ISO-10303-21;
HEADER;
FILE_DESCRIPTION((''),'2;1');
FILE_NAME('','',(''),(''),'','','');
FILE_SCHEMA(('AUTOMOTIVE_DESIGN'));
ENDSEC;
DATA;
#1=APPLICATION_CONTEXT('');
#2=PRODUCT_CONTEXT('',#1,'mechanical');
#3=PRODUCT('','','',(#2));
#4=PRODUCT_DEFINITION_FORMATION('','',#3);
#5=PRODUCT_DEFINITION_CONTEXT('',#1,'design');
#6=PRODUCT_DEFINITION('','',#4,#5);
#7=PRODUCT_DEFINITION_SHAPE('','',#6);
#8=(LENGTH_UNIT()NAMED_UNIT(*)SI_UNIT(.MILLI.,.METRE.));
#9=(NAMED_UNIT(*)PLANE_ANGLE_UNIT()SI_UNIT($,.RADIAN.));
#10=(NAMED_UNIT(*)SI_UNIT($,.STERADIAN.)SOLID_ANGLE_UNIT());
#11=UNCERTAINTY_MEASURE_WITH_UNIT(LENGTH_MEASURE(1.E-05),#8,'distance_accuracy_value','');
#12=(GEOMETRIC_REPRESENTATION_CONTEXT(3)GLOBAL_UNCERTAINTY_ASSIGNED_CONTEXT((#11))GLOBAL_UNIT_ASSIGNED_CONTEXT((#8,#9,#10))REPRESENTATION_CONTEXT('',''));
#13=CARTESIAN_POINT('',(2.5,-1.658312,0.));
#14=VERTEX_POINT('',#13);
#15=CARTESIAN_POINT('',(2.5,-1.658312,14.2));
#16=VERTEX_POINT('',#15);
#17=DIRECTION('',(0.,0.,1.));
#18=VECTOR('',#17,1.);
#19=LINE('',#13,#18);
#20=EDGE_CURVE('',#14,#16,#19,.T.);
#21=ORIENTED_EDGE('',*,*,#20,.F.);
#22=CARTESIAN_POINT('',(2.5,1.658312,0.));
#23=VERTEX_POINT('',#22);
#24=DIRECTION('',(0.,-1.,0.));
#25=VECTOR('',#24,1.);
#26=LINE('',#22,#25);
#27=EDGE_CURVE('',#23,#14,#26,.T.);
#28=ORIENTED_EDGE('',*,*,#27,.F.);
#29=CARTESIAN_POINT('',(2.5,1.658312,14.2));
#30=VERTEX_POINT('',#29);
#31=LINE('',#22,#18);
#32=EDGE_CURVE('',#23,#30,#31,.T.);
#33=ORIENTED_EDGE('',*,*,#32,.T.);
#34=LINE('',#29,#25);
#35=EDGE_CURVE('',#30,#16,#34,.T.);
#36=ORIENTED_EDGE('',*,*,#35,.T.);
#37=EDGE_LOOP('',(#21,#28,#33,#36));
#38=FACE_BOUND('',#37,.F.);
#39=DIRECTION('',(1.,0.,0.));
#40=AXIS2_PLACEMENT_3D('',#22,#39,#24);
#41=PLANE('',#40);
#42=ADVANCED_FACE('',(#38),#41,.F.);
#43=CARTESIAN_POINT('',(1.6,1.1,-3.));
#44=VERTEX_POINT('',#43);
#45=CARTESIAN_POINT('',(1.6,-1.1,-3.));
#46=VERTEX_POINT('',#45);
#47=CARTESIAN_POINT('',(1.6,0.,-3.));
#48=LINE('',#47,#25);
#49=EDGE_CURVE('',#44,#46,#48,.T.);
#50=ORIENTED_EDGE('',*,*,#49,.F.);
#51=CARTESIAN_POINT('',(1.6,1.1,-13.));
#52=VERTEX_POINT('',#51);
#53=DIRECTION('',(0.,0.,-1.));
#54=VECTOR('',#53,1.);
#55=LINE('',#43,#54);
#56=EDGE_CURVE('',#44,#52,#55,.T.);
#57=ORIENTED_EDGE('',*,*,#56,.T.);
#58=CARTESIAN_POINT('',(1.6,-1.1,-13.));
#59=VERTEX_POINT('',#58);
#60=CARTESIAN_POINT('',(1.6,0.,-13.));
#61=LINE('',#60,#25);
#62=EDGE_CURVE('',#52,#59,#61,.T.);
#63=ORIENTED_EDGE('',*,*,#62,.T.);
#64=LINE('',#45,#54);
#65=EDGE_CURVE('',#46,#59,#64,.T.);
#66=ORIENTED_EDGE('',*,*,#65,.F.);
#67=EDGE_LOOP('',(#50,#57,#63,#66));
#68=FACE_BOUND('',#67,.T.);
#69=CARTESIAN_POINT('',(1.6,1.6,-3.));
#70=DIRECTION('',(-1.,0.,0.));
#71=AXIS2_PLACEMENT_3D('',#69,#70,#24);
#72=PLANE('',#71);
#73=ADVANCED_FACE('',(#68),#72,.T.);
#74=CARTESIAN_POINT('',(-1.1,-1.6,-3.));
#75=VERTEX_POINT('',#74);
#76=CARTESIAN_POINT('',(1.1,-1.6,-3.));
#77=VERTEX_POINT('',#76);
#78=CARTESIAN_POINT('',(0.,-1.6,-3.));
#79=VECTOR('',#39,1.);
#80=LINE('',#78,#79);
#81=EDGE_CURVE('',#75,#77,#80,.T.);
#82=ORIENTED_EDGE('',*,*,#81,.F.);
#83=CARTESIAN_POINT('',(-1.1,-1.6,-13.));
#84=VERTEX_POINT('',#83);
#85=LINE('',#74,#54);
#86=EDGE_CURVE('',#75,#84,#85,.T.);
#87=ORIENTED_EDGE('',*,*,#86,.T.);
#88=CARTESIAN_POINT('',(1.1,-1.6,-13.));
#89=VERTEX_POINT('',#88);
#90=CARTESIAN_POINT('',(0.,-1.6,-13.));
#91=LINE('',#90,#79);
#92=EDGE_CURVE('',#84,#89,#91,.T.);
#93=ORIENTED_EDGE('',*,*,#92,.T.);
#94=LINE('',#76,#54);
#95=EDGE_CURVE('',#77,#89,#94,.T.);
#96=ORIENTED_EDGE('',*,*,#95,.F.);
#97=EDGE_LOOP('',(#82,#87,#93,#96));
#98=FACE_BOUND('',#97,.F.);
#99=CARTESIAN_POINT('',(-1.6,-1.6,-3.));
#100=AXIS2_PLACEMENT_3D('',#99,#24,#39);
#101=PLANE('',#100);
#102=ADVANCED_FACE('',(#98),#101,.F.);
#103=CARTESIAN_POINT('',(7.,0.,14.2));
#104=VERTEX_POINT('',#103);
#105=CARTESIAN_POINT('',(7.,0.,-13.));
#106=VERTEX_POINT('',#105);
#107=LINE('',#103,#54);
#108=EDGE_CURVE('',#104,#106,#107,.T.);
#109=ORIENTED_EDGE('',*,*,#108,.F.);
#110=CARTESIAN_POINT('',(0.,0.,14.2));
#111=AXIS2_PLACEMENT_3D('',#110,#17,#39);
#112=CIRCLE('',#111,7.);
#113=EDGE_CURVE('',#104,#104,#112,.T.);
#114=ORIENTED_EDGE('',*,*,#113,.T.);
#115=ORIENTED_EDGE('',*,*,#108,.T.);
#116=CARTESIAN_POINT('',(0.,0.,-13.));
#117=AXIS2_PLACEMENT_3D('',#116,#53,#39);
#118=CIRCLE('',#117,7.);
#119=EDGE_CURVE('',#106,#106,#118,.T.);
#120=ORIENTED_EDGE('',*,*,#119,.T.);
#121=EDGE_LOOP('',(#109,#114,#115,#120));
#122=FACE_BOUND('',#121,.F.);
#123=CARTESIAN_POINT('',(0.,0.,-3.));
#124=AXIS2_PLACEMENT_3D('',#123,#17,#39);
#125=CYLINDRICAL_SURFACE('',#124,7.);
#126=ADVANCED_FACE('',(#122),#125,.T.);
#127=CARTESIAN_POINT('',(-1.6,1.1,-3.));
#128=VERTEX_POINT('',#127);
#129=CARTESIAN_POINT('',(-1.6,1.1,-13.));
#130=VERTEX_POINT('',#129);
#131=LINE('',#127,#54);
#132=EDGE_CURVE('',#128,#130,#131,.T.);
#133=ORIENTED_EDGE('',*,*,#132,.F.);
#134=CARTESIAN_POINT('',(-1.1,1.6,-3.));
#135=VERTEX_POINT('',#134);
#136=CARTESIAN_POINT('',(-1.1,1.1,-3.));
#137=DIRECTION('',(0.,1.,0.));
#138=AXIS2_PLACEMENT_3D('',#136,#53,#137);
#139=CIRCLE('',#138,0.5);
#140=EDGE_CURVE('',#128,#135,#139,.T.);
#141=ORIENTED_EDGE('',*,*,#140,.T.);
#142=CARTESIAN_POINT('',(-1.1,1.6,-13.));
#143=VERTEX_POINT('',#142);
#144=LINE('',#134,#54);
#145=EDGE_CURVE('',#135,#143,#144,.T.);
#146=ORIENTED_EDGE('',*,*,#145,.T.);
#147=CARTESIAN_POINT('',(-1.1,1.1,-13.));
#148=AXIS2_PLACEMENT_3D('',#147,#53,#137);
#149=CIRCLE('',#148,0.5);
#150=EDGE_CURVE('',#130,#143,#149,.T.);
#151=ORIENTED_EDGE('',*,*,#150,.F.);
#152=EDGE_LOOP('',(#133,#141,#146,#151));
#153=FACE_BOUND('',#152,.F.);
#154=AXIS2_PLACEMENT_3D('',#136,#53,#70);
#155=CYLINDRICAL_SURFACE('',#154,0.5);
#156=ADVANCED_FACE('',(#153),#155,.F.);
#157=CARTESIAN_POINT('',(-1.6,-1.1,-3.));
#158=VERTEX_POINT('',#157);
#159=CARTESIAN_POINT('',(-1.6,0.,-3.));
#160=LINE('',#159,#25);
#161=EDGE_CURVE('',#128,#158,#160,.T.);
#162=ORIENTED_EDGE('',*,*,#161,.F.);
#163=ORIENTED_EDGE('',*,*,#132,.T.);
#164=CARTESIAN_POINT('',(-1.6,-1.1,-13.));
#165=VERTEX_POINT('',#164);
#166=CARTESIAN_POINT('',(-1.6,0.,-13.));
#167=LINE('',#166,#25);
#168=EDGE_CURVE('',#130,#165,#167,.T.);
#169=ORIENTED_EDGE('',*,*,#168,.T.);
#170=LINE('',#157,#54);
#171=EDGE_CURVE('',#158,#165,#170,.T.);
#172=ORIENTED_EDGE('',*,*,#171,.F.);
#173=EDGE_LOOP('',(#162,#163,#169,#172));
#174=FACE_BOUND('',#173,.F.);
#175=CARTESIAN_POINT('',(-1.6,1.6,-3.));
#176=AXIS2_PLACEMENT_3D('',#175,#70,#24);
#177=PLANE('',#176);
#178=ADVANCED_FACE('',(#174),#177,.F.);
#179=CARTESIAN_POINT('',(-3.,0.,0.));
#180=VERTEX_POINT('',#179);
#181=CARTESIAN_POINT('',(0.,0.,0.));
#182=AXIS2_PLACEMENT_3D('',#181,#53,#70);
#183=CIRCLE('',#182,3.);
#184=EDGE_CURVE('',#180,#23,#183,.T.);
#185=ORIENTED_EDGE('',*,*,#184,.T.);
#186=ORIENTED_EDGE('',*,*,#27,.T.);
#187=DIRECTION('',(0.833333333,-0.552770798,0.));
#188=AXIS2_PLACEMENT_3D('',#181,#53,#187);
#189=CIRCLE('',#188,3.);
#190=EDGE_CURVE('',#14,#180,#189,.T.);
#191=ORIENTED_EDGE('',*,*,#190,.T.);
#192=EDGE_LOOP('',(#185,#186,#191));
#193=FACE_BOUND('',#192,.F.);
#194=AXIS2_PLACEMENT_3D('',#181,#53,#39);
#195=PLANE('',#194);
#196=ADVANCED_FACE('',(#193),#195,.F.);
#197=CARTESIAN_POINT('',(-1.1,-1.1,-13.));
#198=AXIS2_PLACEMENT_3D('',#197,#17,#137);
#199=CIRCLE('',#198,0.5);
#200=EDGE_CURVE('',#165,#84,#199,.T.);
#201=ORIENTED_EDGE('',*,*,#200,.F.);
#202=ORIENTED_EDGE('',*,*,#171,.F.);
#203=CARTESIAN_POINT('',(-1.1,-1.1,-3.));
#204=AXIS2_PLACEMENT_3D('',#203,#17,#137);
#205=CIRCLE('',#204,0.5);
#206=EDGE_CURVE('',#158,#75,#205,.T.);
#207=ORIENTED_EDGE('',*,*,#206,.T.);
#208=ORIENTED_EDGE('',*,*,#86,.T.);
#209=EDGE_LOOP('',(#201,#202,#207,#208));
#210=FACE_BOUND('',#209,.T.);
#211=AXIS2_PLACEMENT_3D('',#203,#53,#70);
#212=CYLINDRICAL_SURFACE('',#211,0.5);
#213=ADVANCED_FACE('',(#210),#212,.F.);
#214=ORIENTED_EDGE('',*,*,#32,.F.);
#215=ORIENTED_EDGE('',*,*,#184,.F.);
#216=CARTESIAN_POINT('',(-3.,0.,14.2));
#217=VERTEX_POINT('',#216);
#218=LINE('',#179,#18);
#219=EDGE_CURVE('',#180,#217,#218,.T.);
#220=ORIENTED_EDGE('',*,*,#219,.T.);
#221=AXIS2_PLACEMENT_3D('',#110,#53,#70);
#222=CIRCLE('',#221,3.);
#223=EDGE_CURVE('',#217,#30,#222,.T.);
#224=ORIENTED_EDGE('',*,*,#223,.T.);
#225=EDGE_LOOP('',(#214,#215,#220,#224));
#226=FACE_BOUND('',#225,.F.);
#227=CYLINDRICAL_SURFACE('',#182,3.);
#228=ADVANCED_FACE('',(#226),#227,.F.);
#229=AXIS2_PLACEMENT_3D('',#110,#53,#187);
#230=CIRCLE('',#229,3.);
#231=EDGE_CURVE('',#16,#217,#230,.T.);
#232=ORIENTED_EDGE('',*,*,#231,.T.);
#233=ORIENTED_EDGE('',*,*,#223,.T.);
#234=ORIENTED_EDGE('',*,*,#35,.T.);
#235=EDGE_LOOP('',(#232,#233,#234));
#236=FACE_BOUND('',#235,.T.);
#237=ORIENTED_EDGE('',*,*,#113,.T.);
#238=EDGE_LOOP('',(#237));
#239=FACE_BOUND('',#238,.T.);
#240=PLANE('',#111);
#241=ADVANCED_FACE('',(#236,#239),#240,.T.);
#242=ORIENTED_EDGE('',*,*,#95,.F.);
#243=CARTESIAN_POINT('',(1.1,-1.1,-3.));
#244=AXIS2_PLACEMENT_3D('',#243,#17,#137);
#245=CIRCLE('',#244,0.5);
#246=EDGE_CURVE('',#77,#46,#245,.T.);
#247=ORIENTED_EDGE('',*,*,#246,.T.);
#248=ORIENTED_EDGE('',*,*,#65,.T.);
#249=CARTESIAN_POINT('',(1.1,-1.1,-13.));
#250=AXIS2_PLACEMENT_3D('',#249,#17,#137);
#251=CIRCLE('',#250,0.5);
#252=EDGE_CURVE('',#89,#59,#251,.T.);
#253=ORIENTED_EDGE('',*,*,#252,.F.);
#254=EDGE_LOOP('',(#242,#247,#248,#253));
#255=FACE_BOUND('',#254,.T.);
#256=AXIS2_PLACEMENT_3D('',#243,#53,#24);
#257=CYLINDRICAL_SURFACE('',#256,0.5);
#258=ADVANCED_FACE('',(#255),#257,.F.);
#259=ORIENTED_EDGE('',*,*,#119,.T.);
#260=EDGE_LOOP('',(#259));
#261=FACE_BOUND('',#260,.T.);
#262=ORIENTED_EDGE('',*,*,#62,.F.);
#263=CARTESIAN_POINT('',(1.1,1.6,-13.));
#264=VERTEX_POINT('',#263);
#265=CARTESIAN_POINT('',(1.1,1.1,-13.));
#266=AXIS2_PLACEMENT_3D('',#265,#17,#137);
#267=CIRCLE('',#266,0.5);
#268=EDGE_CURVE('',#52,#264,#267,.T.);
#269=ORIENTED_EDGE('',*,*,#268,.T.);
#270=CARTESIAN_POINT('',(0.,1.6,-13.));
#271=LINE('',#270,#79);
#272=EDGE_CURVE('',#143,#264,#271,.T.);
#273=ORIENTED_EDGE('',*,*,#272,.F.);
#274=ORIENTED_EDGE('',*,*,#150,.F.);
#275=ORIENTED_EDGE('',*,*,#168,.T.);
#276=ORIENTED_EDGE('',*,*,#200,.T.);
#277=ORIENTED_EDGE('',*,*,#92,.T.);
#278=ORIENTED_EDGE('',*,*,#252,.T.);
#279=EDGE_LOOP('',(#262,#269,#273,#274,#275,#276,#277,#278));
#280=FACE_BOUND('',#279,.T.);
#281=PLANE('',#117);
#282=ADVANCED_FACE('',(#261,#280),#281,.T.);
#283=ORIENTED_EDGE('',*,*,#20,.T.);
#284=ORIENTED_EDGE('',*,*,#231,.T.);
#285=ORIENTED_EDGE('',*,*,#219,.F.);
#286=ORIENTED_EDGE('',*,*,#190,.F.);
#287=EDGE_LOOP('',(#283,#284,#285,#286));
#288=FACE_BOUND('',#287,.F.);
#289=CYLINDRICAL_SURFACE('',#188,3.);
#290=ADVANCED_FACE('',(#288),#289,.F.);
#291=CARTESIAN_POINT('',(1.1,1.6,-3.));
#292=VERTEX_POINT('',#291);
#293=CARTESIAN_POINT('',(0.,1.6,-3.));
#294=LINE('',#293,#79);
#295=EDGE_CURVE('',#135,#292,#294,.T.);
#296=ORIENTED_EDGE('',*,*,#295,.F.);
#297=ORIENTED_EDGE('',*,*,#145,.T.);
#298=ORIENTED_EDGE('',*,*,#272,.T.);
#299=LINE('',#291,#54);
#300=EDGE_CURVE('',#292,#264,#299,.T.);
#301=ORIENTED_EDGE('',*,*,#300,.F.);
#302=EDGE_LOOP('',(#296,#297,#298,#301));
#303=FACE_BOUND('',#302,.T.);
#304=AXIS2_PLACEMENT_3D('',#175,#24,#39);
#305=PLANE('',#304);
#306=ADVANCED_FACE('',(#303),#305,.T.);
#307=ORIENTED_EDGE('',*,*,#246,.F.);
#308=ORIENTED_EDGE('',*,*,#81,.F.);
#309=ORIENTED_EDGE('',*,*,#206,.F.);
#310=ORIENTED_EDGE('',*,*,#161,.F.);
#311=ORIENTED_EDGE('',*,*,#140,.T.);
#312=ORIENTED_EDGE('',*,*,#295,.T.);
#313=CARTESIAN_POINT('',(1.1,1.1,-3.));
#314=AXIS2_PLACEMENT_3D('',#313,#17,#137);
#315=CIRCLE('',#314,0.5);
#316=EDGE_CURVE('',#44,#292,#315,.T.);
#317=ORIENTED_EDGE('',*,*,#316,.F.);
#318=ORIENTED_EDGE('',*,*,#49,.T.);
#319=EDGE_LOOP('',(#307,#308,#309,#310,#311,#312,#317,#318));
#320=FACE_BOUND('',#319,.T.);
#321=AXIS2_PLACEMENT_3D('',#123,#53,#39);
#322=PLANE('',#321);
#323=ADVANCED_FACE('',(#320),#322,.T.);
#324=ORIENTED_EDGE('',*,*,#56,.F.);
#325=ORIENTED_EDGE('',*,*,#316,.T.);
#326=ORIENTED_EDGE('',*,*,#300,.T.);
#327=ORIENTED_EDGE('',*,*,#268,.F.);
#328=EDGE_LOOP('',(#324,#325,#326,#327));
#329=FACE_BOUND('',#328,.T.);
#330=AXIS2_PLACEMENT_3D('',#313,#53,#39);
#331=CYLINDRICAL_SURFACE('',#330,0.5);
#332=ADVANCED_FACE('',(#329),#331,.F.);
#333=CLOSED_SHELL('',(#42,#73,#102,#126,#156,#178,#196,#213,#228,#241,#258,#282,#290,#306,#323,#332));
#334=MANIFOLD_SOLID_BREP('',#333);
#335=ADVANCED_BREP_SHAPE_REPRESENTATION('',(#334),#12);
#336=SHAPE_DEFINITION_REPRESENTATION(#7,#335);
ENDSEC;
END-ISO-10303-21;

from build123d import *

# Parameters (mm, degrees)
F0_R     = 7
F1_DEPTH = 14.2
F2_R     = 7
F2_R_2   = 5
F3_DEPTH = 3
F4_R     = 7
F4_R_2   = 5
F4_W     = 3.2
F4_H     = 3.2
F5_DEPTH = 10
F6_R     = 0.5


with BuildPart() as f1:
    # F0 (on Top) → F1 (new body)
    with BuildSketch(Plane.XY):
        Circle(F0_R)
        with BuildLine():
            ThreePointArc((2.5, 1.6583123952), (2.8722813233, 0.8660254038), (3, 0))
            ThreePointArc((3, 0), (2.8722813233, -0.8660254038), (2.5, -1.6583123952))
            ThreePointArc((2.5, -1.6583123952), (-0.8660254038, -2.8722813233), (-3, 0))
            ThreePointArc((-3, 0), (-0.8660254038, 2.8722813233), (2.5, 1.6583123952))
        make_face(mode=Mode.SUBTRACT)
        with BuildLine():
            ThreePointArc((2.5, -1.6583123952), (2.8722813233, -0.8660254038), (3, 0))
            ThreePointArc((3, 0), (2.8722813233, 0.8660254038), (2.5, 1.6583123952))
            Line((2.5, 1.6583123952), (2.5, 0))
            Line((2.5, 0), (2.5, -1.6583123952))
        make_face()
    extrude(amount=F1_DEPTH)

    # F2 (on face) → F3 (join)
    with BuildSketch(Plane(origin=(0, 0, 0), x_dir=(1, 0, 0), z_dir=(0, 0, -1))):
        Circle(F2_R)
        Circle(F2_R_2, mode=Mode.SUBTRACT)
        Circle(F2_R_2)
        with BuildLine():
            ThreePointArc((2.5, -1.6583123952), (-3, 0), (2.5, 1.6583123952))
            Line((2.5, 1.6583123952), (2.5, -1.6583123952))
        make_face(mode=Mode.SUBTRACT)
        with BuildLine():
            Line((2.5, -1.6583123952), (2.5, 1.6583123952))
            ThreePointArc((2.5, 1.6583123952), (-3, 0), (2.5, -1.6583123952))
        make_face()
    extrude(amount=F3_DEPTH)

    # F4 (on face) → F5 (join)
    with BuildSketch(Plane(origin=(0, 0, -3), x_dir=(1, 0, 0), z_dir=(0, 0, -1))):
        Circle(F4_R)
        Circle(F4_R_2, mode=Mode.SUBTRACT)
        Circle(F4_R_2)
        Rectangle(F4_W, F4_H, mode=Mode.SUBTRACT)
    extrude(amount=F5_DEPTH)

    # F6
    f6_edges = [f1.edges().sort_by_distance(p)[0] for p in [
        (-1.6, -1.6, -8),
        (-1.6, 1.6, -8),
        (1.6, -1.6, -8),
        (1.6, 1.6, -8),
    ]]
    fillet(f6_edges, radius=F6_R)


solid = f1.part
